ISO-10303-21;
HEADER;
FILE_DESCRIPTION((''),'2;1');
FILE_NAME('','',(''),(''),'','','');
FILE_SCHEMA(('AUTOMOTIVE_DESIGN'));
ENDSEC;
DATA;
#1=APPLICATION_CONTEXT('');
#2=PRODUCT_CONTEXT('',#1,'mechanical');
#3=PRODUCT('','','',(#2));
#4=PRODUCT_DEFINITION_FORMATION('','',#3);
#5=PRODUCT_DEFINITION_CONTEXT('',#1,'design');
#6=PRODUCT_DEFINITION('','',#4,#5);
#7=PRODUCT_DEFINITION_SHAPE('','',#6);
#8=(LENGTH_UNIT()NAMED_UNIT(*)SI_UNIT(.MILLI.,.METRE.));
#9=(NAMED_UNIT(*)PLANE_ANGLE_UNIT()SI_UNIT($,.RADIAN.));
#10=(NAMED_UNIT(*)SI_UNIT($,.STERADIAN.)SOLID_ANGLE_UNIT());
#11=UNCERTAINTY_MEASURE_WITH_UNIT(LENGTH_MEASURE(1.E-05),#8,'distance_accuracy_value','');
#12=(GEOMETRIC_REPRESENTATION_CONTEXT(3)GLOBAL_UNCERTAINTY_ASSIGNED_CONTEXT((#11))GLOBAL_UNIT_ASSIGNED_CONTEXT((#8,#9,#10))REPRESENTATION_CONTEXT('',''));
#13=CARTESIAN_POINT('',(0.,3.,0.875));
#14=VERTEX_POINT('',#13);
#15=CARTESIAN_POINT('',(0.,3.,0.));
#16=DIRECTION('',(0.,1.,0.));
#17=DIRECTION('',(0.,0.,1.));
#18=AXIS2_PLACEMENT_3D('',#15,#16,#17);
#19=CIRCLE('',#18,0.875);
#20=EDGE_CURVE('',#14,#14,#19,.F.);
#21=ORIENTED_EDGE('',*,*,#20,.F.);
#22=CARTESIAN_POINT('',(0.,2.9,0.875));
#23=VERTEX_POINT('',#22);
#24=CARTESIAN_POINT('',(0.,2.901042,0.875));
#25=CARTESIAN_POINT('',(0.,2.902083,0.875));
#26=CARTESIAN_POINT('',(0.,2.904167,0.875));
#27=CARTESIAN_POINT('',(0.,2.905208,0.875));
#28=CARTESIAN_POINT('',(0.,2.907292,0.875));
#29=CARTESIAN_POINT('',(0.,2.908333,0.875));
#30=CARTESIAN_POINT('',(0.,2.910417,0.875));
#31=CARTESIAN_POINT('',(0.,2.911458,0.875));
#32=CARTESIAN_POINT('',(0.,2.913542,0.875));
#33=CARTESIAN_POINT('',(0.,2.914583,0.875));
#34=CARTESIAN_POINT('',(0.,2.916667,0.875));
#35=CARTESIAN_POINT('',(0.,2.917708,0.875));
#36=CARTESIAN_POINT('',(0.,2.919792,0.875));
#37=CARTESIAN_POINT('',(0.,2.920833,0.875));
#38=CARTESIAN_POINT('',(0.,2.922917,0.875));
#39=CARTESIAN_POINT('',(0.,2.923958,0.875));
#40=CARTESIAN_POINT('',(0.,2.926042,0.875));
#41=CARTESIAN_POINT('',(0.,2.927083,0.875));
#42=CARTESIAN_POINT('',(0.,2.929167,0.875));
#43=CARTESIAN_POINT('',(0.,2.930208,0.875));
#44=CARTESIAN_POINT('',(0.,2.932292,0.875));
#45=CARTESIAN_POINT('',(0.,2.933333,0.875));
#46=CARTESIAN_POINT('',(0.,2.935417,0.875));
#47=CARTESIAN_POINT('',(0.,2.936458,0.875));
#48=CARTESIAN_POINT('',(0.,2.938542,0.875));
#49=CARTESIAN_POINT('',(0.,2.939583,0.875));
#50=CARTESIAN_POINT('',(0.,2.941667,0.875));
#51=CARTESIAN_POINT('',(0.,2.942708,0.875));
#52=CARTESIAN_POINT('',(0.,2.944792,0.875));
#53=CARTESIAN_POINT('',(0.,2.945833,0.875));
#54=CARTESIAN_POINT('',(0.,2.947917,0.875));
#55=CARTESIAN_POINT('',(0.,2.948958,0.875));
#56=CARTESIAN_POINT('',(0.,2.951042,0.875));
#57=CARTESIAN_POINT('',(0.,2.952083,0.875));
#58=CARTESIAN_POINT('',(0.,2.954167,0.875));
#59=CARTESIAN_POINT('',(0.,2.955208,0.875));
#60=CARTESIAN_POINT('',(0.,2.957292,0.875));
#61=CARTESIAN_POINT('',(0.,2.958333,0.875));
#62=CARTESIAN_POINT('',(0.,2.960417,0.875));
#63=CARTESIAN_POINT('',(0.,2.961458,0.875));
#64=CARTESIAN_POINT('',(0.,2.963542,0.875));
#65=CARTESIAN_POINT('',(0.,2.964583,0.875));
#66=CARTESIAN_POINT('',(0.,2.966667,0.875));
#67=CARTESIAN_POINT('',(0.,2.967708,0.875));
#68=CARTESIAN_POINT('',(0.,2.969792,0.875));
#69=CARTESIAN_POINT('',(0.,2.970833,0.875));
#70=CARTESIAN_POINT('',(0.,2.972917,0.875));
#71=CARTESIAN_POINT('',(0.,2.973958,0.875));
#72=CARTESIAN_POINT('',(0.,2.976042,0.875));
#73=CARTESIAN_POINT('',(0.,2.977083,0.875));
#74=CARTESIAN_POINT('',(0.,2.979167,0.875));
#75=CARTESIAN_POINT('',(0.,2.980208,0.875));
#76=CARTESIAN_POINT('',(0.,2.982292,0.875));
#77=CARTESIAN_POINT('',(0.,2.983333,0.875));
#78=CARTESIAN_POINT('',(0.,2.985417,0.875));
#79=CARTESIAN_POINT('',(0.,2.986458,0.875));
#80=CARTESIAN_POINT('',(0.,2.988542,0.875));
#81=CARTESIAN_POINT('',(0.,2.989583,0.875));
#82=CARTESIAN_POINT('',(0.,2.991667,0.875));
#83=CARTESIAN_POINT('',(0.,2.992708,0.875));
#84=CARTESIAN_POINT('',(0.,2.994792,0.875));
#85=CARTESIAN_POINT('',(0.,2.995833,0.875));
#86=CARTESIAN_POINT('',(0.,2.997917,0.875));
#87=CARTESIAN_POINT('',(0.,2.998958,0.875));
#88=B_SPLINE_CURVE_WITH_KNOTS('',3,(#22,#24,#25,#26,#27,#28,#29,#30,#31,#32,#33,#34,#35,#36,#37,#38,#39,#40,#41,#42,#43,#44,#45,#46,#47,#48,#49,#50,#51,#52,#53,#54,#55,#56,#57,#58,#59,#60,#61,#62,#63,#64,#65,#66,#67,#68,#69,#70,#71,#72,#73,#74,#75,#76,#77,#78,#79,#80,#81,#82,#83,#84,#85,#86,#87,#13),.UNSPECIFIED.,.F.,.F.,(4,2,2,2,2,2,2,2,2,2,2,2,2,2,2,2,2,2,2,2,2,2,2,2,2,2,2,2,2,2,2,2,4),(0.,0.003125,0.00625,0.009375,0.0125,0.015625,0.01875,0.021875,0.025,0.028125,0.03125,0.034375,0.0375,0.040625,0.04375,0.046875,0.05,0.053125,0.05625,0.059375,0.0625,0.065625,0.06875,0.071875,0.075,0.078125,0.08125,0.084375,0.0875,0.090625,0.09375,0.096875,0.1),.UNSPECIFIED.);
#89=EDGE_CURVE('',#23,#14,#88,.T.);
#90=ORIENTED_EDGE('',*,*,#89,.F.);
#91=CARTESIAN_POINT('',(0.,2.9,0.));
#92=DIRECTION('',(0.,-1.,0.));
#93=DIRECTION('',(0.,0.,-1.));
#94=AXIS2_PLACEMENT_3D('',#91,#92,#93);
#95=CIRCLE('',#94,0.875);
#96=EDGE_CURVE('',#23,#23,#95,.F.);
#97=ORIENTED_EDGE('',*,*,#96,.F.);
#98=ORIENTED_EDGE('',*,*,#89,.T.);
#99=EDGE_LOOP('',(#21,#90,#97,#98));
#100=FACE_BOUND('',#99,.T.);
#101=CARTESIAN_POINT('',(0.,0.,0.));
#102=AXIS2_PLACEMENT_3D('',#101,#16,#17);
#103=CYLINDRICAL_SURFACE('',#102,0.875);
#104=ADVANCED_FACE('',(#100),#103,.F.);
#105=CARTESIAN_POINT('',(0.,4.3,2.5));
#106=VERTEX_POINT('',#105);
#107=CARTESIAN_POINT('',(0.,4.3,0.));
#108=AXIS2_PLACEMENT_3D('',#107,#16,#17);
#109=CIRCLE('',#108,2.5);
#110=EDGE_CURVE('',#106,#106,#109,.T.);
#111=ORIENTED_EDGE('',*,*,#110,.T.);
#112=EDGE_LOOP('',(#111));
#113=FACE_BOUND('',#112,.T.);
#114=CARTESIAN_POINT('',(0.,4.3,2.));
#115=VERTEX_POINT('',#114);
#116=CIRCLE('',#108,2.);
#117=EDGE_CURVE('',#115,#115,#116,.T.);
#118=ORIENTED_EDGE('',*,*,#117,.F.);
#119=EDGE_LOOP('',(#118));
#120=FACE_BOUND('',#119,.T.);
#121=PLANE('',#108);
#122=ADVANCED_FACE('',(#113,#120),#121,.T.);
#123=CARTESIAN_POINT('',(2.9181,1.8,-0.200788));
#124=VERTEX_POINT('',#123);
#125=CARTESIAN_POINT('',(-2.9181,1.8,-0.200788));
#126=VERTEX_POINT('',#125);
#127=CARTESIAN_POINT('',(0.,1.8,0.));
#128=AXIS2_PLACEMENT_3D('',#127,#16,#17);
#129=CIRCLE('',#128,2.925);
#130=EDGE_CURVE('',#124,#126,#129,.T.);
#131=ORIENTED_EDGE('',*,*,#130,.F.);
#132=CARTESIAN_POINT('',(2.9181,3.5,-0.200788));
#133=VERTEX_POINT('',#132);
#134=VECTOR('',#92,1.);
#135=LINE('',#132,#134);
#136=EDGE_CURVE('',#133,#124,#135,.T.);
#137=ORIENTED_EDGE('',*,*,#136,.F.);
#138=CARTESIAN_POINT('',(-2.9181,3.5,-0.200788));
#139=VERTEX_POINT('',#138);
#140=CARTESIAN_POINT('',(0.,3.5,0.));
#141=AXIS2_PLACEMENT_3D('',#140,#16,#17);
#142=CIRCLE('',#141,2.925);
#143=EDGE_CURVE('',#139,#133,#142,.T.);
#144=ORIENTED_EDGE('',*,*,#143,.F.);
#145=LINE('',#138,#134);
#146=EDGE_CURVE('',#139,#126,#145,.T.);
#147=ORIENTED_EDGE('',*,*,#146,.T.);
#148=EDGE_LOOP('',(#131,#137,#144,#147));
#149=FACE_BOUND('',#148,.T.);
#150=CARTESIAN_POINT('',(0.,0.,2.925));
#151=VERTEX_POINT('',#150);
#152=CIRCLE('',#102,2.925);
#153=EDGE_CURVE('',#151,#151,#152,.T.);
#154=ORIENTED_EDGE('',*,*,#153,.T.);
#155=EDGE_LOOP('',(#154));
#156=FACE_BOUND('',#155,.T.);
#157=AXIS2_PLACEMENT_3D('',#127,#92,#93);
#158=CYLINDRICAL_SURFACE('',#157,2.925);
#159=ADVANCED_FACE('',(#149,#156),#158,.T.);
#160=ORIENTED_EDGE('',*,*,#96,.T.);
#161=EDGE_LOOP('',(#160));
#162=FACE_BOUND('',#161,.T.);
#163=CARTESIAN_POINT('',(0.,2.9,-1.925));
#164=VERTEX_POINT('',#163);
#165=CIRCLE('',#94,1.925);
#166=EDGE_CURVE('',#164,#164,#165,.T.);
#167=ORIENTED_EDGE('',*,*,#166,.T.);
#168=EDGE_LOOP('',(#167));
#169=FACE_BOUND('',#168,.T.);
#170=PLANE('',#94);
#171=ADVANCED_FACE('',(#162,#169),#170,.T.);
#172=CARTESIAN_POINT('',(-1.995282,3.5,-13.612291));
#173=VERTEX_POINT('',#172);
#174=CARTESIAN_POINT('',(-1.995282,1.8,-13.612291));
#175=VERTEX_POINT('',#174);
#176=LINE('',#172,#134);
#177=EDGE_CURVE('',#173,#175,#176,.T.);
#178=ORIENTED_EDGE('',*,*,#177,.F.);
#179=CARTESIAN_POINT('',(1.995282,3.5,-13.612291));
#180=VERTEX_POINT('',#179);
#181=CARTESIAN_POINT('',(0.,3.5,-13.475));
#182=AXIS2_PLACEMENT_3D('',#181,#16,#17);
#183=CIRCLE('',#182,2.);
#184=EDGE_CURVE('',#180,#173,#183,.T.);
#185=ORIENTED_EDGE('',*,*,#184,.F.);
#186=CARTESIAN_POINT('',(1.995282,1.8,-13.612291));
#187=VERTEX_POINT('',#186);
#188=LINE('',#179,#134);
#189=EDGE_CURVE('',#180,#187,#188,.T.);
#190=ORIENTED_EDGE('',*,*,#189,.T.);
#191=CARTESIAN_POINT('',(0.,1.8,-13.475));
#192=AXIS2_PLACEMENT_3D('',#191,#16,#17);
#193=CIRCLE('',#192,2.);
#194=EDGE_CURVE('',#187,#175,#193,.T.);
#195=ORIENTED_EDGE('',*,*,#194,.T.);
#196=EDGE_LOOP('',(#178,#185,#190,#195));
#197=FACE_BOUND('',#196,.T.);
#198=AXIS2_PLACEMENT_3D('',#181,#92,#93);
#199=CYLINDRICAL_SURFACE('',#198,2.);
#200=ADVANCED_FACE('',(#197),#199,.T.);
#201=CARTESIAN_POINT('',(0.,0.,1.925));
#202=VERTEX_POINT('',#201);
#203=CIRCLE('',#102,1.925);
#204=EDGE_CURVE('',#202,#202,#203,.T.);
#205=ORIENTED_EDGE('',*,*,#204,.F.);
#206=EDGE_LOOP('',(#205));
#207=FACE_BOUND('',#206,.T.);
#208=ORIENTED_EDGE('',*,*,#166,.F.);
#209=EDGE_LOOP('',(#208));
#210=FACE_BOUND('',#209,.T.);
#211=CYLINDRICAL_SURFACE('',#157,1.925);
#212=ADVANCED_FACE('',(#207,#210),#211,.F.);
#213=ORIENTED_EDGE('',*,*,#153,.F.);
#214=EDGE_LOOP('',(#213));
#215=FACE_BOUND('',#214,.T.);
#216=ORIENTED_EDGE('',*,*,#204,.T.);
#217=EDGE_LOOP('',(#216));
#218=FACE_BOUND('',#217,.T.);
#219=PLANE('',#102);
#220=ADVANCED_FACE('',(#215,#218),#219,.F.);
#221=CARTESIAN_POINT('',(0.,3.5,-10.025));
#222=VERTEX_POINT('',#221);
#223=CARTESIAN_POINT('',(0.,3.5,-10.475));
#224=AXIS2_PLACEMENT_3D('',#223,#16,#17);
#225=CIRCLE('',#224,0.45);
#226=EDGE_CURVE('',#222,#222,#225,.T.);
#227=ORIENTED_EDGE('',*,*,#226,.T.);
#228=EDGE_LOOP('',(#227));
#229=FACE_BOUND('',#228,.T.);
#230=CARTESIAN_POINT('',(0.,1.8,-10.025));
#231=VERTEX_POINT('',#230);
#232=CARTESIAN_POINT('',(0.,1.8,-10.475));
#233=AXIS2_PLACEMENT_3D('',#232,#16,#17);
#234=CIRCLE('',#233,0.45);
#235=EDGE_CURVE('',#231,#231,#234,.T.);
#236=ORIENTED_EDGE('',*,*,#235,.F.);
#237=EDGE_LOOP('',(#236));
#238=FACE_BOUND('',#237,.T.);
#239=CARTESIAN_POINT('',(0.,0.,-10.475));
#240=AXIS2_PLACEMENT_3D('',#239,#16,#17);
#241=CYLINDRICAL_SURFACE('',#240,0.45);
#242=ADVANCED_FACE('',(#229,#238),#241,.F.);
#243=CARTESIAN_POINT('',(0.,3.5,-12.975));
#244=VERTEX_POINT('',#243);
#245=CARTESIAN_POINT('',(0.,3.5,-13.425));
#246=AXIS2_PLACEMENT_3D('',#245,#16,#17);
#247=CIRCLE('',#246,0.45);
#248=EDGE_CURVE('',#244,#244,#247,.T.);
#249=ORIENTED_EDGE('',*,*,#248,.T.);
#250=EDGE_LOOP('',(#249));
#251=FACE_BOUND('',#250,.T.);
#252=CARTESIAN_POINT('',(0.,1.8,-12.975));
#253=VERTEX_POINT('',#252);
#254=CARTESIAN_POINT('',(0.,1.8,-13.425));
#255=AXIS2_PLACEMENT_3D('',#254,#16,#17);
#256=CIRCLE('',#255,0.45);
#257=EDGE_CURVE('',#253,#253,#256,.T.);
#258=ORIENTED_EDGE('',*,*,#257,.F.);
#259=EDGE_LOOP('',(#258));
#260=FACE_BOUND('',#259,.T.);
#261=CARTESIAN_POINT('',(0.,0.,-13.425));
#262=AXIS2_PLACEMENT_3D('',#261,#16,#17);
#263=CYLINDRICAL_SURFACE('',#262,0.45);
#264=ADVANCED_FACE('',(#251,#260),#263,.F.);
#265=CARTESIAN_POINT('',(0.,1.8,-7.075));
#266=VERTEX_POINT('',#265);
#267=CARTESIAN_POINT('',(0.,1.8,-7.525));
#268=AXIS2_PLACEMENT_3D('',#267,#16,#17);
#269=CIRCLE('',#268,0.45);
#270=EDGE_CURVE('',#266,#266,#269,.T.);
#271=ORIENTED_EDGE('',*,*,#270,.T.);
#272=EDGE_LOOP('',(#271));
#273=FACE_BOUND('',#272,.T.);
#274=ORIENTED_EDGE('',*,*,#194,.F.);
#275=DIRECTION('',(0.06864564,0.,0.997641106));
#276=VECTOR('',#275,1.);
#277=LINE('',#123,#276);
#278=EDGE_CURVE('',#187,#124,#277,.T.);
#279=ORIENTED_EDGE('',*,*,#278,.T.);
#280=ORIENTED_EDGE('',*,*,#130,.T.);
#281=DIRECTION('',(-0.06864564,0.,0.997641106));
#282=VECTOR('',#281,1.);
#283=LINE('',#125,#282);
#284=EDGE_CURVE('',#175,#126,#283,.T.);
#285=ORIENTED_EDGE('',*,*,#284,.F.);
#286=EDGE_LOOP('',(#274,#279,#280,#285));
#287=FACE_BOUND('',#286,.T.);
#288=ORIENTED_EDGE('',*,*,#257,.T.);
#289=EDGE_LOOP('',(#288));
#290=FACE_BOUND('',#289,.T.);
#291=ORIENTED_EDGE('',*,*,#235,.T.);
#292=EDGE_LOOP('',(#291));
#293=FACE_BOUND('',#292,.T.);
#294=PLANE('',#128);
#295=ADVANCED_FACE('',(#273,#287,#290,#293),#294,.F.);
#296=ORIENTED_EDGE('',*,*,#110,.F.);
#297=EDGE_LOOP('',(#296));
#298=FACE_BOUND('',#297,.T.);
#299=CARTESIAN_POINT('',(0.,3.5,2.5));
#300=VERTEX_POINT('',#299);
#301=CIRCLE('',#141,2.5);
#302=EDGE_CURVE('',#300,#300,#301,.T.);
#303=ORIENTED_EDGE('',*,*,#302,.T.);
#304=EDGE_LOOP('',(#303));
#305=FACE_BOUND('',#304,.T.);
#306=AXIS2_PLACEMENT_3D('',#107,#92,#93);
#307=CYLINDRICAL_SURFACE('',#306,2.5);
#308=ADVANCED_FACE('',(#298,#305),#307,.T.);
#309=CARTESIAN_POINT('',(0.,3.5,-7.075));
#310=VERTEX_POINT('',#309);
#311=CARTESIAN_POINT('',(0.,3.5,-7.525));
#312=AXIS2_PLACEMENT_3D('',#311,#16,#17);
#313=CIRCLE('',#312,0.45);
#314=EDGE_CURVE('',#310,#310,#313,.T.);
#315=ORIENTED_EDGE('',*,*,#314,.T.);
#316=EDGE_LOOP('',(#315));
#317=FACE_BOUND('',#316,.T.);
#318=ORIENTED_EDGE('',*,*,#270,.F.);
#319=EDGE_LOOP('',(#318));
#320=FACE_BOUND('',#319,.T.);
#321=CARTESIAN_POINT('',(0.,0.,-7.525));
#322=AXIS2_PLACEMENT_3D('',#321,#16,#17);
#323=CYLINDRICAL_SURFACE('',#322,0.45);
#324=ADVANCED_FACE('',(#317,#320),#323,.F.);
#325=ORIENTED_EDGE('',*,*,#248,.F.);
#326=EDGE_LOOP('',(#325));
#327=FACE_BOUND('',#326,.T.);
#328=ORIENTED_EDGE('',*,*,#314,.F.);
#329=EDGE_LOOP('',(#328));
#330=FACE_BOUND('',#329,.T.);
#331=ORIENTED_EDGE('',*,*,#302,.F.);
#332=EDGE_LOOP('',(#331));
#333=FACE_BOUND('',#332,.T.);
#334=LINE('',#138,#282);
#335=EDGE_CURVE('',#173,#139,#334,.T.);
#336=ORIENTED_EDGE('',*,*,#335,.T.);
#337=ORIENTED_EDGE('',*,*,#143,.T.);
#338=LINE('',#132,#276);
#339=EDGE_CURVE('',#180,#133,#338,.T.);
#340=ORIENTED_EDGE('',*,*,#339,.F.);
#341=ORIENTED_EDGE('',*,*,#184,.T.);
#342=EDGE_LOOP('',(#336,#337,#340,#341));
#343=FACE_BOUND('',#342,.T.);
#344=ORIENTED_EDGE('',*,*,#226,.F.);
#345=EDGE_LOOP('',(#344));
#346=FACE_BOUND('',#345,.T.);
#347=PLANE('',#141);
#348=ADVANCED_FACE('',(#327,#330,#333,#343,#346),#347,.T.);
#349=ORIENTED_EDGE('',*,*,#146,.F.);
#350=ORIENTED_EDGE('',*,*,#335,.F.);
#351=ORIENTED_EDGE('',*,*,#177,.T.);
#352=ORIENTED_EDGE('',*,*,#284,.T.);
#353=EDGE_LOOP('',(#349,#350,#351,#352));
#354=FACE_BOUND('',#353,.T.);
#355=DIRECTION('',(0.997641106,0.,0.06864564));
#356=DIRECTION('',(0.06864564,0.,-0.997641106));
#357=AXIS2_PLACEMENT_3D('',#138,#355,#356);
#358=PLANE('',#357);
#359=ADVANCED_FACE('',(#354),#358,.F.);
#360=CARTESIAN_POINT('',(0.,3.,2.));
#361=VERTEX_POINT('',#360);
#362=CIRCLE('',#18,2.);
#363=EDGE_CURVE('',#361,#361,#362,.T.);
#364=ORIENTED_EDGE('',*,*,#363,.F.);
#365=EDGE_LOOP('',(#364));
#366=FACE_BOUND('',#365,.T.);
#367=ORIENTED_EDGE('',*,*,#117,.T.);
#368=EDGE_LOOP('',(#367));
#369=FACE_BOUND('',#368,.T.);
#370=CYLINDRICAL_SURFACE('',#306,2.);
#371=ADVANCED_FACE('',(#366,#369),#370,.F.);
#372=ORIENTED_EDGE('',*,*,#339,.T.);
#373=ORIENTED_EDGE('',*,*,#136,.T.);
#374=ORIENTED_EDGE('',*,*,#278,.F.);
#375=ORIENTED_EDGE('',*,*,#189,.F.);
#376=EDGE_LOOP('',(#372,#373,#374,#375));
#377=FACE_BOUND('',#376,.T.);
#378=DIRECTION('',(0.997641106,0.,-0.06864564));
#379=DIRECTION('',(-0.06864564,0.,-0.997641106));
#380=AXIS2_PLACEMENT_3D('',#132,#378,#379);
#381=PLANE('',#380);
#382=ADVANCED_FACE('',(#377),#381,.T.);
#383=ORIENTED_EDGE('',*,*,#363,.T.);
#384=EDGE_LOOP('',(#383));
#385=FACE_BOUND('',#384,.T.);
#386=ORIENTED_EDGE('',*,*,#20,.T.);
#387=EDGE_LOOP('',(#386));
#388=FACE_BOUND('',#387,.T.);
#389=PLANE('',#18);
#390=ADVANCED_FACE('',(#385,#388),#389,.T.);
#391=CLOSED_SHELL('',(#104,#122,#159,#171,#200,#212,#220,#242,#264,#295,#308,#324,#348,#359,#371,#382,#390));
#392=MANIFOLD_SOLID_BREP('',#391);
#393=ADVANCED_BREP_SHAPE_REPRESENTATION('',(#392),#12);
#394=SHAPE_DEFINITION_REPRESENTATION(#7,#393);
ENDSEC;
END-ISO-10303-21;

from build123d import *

# Parameters (mm, degrees)
SKETCH1_R           = 2.925
SKETCH1_R_2         = 1.925
BOSS_EXTRUDE1_DEPTH = 1.8
BOSS_EXTRUDE2_DEPTH = 1.7
SKETCH4_R           = 2.5
SKETCH4_R_2         = 2
BOSS_EXTRUDE3_DEPTH = 0.8
SKETCH5_R           = 0.45
CUT_EXTRUDE1_DEPTH  = 17.133234332
SKETCH6_R           = 0.875
CUT_EXTRUDE2_DEPTH  = 17.133234332
SKETCH7_R           = 1.925
CUT_EXTRUDE3_DEPTH  = 1.1
CUT_EXTRUDE4_START  = -0.5
SKETCH8_R           = 2
CUT_EXTRUDE4_DEPTH  = 0.5


with BuildPart() as part:
    # Sketch1 → Boss-Extrude1 (new body)
    with BuildSketch(Plane(origin=(0, 0, 0), x_dir=(1, 0, 0), z_dir=(0, 1, 0))):
        with Locations(Location((0, 0, 0), (0, 0, 270))):
            Circle(SKETCH1_R)
        with Locations(Location((0, 0, 0), (0, 0, 270))):
            Circle(SKETCH1_R_2, mode=Mode.SUBTRACT)
    extrude(amount=BOSS_EXTRUDE1_DEPTH)

    # Sketch3 → Boss-Extrude2 (add)
    with BuildSketch(Plane(origin=(0, 1.8, 0), x_dir=(1, 0, 0), z_dir=(0, 1, 0))):
        with BuildLine():
            Line((2.918100235, 0.200788497), (1.995282212, 13.61229128))
            ThreePointArc((1.995282212, 13.61229128), (0, 15.475), (-1.995282212, 13.61229128))
            Line((-1.995282212, 13.61229128), (-2.918100235, 0.200788497))
            ThreePointArc((-2.918100235, 0.200788497), (0, -2.925), (2.918100235, 0.200788497))
        make_face()
    extrude(amount=BOSS_EXTRUDE2_DEPTH)

    # Sketch4 → Boss-Extrude3 (add)
    with BuildSketch(Plane(origin=(0, 3.5, 0), x_dir=(1, 0, 0), z_dir=(0, 1, 0))):
        with Locations(Location((0, 0, 0), (0, 0, 270))):
            Circle(SKETCH4_R)
        with Locations(Location((0, 0, 0), (0, 0, 270))):
            Circle(SKETCH4_R_2, mode=Mode.SUBTRACT)
    extrude(amount=BOSS_EXTRUDE3_DEPTH)

    # Sketch5 → Cut-Extrude1 (cut, through all)
    with BuildSketch(Plane(origin=(0, 3.5, 0), x_dir=(1, 0, 0), z_dir=(0, 1, 0))):
        with Locations(Location((0, 13.425, 0), (0, 0, 270))):
            Circle(SKETCH5_R)
        with Locations(Location((0, 10.475, 0), (0, 0, 270))):
            Circle(SKETCH5_R)
        with Locations(Location((0, 7.525, 0), (0, 0, 270))):
            Circle(SKETCH5_R)
    extrude(amount=-CUT_EXTRUDE1_DEPTH, mode=Mode.SUBTRACT)

    # Sketch6 → Cut-Extrude2 (cut, through all)
    with BuildSketch(Plane(origin=(0, 3.5, 0), x_dir=(1, 0, 0), z_dir=(0, 1, 0))):
        with Locations(Location((0, 0, 0), (0, 0, 270))):
            Circle(SKETCH6_R)
    extrude(amount=-CUT_EXTRUDE2_DEPTH, mode=Mode.SUBTRACT)

    # Sketch7 → Cut-Extrude3 (cut)
    with BuildSketch(Plane.XZ.offset(-1.8)):
        with Locations(Location((0, 0, 0), (0, 0, 270))):
            Circle(SKETCH7_R)
    extrude(amount=-CUT_EXTRUDE3_DEPTH, mode=Mode.SUBTRACT)

    # Sketch8 → Cut-Extrude4 (cut)
    with BuildSketch(Plane(origin=(0, 3.5, 0), x_dir=(1, 0, 0), z_dir=(0, 1, 0)).offset(CUT_EXTRUDE4_START)):
        with Locations(Location((0, 0, 0), (0, 0, 270))):
            Circle(SKETCH8_R)
    extrude(amount=CUT_EXTRUDE4_DEPTH, mode=Mode.SUBTRACT)


solid = part.part
